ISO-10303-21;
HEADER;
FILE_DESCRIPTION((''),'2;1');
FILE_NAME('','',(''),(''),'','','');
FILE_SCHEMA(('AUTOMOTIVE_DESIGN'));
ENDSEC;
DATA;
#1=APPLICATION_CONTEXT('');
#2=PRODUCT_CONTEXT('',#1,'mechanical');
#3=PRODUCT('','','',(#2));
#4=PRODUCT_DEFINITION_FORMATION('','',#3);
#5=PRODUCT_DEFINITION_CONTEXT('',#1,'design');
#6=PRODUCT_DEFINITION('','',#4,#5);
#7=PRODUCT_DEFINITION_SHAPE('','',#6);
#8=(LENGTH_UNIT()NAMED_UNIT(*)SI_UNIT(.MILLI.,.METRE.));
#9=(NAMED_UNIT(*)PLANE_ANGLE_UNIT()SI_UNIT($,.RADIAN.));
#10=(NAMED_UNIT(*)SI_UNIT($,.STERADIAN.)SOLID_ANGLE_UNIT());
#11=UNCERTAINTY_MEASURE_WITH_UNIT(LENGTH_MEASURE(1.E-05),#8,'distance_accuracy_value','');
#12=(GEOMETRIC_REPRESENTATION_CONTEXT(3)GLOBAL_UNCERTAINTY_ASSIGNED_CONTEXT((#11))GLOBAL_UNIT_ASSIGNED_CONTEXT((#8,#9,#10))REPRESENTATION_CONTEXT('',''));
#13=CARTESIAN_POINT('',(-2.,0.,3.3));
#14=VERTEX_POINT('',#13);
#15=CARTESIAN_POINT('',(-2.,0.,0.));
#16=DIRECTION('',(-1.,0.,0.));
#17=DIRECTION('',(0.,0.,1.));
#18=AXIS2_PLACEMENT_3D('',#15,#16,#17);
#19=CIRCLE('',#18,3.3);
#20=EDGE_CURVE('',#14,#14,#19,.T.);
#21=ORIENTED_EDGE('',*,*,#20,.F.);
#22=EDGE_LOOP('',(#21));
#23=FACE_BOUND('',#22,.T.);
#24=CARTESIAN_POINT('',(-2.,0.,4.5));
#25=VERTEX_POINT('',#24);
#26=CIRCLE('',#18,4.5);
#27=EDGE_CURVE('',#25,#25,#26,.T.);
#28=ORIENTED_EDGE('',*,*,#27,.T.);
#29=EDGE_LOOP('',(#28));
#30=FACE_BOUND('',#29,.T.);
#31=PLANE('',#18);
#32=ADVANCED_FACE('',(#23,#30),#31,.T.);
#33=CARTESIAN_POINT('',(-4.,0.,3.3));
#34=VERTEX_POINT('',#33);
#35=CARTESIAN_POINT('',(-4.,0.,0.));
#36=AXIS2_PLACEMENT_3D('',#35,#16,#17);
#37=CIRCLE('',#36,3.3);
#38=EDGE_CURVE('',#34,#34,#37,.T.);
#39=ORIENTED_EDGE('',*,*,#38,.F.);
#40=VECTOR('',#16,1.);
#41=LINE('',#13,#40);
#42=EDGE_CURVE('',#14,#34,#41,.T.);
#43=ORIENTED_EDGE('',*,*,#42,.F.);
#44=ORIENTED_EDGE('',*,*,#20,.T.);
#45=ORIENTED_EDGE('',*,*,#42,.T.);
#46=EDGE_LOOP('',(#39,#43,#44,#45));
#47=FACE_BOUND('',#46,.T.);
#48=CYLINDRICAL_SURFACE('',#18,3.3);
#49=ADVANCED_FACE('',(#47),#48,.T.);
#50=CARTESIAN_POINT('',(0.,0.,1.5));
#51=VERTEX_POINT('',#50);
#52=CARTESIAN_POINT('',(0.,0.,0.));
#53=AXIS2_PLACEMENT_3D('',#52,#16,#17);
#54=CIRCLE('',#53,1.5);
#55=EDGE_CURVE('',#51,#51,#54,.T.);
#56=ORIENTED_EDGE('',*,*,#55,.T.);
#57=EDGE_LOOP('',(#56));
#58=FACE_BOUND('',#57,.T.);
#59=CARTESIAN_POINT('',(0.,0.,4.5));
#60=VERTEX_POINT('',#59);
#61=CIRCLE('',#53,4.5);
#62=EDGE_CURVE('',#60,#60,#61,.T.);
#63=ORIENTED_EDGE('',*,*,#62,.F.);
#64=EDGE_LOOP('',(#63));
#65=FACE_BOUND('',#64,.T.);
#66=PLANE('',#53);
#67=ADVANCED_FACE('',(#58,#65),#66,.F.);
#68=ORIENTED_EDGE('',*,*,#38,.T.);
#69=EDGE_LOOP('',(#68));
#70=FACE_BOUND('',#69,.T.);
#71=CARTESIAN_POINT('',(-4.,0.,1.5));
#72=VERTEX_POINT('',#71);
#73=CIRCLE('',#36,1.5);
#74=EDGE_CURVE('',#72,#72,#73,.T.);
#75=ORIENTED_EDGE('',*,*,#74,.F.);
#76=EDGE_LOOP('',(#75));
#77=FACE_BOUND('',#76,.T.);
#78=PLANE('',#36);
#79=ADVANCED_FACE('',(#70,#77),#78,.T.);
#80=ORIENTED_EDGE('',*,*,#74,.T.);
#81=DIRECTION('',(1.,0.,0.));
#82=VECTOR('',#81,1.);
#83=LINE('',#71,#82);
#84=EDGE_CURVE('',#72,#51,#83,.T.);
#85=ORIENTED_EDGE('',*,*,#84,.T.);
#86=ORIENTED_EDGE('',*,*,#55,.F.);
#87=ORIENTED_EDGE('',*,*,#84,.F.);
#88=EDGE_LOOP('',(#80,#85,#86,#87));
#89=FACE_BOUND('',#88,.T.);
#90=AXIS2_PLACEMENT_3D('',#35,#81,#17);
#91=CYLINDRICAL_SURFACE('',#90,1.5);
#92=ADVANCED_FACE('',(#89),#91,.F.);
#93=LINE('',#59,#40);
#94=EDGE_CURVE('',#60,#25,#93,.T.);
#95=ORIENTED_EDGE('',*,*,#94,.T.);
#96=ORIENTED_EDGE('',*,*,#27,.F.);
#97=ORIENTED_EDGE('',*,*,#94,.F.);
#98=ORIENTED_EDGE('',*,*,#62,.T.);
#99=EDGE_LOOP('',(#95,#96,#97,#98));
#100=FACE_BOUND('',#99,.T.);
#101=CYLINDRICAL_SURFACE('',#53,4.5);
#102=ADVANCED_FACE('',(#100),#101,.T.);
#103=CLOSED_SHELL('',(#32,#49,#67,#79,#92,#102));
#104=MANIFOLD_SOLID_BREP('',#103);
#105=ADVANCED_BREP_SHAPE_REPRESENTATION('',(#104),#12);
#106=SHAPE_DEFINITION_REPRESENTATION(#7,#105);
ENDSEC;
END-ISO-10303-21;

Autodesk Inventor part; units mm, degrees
ref_plane "YZ Plane" through (0, 0, 0) normal (1, 0, 0) x (0, 1, 0)
ref_plane "XZ Plane" through (0, 0, 0) normal (0, 1, 0) x (-1, 0, 0)
ref_plane "XY Plane" through (0, 0, 0) normal (0, 0, 1) x (1, 0, 0)
sketch "Sketch1" plane through (0, 0, 0) normal (0, 1, 0) x (-1, 0, 0)
  line L0 (0, 0) -> (5.9762, 0) construction
  line L1 (0, 0) -> (0, 4.5)
  line L2 (0, 4.5) -> (2, 4.5)
  line L3 (2, 4.5) -> (2, 3.3)
  line L4 (2, 3.3) -> (4, 3.3)
  line L5 (4, 3.3) -> (4, 0)
  line L6 (4, 1.5) -> (0, 1.5)
  dimension "d0" = 4.5
  dimension "d1" = 2
  dimension "d2" = 4
  dimension "d3" = 2
  dimension "d4" = 3.3
  dimension "d5" = 1.5
revolve "Revolution1" add sketch "Sketch1" angle 360 about axis through (0, 0, 0) along (-1, 0, 0)
properties part number "26-10-210"
